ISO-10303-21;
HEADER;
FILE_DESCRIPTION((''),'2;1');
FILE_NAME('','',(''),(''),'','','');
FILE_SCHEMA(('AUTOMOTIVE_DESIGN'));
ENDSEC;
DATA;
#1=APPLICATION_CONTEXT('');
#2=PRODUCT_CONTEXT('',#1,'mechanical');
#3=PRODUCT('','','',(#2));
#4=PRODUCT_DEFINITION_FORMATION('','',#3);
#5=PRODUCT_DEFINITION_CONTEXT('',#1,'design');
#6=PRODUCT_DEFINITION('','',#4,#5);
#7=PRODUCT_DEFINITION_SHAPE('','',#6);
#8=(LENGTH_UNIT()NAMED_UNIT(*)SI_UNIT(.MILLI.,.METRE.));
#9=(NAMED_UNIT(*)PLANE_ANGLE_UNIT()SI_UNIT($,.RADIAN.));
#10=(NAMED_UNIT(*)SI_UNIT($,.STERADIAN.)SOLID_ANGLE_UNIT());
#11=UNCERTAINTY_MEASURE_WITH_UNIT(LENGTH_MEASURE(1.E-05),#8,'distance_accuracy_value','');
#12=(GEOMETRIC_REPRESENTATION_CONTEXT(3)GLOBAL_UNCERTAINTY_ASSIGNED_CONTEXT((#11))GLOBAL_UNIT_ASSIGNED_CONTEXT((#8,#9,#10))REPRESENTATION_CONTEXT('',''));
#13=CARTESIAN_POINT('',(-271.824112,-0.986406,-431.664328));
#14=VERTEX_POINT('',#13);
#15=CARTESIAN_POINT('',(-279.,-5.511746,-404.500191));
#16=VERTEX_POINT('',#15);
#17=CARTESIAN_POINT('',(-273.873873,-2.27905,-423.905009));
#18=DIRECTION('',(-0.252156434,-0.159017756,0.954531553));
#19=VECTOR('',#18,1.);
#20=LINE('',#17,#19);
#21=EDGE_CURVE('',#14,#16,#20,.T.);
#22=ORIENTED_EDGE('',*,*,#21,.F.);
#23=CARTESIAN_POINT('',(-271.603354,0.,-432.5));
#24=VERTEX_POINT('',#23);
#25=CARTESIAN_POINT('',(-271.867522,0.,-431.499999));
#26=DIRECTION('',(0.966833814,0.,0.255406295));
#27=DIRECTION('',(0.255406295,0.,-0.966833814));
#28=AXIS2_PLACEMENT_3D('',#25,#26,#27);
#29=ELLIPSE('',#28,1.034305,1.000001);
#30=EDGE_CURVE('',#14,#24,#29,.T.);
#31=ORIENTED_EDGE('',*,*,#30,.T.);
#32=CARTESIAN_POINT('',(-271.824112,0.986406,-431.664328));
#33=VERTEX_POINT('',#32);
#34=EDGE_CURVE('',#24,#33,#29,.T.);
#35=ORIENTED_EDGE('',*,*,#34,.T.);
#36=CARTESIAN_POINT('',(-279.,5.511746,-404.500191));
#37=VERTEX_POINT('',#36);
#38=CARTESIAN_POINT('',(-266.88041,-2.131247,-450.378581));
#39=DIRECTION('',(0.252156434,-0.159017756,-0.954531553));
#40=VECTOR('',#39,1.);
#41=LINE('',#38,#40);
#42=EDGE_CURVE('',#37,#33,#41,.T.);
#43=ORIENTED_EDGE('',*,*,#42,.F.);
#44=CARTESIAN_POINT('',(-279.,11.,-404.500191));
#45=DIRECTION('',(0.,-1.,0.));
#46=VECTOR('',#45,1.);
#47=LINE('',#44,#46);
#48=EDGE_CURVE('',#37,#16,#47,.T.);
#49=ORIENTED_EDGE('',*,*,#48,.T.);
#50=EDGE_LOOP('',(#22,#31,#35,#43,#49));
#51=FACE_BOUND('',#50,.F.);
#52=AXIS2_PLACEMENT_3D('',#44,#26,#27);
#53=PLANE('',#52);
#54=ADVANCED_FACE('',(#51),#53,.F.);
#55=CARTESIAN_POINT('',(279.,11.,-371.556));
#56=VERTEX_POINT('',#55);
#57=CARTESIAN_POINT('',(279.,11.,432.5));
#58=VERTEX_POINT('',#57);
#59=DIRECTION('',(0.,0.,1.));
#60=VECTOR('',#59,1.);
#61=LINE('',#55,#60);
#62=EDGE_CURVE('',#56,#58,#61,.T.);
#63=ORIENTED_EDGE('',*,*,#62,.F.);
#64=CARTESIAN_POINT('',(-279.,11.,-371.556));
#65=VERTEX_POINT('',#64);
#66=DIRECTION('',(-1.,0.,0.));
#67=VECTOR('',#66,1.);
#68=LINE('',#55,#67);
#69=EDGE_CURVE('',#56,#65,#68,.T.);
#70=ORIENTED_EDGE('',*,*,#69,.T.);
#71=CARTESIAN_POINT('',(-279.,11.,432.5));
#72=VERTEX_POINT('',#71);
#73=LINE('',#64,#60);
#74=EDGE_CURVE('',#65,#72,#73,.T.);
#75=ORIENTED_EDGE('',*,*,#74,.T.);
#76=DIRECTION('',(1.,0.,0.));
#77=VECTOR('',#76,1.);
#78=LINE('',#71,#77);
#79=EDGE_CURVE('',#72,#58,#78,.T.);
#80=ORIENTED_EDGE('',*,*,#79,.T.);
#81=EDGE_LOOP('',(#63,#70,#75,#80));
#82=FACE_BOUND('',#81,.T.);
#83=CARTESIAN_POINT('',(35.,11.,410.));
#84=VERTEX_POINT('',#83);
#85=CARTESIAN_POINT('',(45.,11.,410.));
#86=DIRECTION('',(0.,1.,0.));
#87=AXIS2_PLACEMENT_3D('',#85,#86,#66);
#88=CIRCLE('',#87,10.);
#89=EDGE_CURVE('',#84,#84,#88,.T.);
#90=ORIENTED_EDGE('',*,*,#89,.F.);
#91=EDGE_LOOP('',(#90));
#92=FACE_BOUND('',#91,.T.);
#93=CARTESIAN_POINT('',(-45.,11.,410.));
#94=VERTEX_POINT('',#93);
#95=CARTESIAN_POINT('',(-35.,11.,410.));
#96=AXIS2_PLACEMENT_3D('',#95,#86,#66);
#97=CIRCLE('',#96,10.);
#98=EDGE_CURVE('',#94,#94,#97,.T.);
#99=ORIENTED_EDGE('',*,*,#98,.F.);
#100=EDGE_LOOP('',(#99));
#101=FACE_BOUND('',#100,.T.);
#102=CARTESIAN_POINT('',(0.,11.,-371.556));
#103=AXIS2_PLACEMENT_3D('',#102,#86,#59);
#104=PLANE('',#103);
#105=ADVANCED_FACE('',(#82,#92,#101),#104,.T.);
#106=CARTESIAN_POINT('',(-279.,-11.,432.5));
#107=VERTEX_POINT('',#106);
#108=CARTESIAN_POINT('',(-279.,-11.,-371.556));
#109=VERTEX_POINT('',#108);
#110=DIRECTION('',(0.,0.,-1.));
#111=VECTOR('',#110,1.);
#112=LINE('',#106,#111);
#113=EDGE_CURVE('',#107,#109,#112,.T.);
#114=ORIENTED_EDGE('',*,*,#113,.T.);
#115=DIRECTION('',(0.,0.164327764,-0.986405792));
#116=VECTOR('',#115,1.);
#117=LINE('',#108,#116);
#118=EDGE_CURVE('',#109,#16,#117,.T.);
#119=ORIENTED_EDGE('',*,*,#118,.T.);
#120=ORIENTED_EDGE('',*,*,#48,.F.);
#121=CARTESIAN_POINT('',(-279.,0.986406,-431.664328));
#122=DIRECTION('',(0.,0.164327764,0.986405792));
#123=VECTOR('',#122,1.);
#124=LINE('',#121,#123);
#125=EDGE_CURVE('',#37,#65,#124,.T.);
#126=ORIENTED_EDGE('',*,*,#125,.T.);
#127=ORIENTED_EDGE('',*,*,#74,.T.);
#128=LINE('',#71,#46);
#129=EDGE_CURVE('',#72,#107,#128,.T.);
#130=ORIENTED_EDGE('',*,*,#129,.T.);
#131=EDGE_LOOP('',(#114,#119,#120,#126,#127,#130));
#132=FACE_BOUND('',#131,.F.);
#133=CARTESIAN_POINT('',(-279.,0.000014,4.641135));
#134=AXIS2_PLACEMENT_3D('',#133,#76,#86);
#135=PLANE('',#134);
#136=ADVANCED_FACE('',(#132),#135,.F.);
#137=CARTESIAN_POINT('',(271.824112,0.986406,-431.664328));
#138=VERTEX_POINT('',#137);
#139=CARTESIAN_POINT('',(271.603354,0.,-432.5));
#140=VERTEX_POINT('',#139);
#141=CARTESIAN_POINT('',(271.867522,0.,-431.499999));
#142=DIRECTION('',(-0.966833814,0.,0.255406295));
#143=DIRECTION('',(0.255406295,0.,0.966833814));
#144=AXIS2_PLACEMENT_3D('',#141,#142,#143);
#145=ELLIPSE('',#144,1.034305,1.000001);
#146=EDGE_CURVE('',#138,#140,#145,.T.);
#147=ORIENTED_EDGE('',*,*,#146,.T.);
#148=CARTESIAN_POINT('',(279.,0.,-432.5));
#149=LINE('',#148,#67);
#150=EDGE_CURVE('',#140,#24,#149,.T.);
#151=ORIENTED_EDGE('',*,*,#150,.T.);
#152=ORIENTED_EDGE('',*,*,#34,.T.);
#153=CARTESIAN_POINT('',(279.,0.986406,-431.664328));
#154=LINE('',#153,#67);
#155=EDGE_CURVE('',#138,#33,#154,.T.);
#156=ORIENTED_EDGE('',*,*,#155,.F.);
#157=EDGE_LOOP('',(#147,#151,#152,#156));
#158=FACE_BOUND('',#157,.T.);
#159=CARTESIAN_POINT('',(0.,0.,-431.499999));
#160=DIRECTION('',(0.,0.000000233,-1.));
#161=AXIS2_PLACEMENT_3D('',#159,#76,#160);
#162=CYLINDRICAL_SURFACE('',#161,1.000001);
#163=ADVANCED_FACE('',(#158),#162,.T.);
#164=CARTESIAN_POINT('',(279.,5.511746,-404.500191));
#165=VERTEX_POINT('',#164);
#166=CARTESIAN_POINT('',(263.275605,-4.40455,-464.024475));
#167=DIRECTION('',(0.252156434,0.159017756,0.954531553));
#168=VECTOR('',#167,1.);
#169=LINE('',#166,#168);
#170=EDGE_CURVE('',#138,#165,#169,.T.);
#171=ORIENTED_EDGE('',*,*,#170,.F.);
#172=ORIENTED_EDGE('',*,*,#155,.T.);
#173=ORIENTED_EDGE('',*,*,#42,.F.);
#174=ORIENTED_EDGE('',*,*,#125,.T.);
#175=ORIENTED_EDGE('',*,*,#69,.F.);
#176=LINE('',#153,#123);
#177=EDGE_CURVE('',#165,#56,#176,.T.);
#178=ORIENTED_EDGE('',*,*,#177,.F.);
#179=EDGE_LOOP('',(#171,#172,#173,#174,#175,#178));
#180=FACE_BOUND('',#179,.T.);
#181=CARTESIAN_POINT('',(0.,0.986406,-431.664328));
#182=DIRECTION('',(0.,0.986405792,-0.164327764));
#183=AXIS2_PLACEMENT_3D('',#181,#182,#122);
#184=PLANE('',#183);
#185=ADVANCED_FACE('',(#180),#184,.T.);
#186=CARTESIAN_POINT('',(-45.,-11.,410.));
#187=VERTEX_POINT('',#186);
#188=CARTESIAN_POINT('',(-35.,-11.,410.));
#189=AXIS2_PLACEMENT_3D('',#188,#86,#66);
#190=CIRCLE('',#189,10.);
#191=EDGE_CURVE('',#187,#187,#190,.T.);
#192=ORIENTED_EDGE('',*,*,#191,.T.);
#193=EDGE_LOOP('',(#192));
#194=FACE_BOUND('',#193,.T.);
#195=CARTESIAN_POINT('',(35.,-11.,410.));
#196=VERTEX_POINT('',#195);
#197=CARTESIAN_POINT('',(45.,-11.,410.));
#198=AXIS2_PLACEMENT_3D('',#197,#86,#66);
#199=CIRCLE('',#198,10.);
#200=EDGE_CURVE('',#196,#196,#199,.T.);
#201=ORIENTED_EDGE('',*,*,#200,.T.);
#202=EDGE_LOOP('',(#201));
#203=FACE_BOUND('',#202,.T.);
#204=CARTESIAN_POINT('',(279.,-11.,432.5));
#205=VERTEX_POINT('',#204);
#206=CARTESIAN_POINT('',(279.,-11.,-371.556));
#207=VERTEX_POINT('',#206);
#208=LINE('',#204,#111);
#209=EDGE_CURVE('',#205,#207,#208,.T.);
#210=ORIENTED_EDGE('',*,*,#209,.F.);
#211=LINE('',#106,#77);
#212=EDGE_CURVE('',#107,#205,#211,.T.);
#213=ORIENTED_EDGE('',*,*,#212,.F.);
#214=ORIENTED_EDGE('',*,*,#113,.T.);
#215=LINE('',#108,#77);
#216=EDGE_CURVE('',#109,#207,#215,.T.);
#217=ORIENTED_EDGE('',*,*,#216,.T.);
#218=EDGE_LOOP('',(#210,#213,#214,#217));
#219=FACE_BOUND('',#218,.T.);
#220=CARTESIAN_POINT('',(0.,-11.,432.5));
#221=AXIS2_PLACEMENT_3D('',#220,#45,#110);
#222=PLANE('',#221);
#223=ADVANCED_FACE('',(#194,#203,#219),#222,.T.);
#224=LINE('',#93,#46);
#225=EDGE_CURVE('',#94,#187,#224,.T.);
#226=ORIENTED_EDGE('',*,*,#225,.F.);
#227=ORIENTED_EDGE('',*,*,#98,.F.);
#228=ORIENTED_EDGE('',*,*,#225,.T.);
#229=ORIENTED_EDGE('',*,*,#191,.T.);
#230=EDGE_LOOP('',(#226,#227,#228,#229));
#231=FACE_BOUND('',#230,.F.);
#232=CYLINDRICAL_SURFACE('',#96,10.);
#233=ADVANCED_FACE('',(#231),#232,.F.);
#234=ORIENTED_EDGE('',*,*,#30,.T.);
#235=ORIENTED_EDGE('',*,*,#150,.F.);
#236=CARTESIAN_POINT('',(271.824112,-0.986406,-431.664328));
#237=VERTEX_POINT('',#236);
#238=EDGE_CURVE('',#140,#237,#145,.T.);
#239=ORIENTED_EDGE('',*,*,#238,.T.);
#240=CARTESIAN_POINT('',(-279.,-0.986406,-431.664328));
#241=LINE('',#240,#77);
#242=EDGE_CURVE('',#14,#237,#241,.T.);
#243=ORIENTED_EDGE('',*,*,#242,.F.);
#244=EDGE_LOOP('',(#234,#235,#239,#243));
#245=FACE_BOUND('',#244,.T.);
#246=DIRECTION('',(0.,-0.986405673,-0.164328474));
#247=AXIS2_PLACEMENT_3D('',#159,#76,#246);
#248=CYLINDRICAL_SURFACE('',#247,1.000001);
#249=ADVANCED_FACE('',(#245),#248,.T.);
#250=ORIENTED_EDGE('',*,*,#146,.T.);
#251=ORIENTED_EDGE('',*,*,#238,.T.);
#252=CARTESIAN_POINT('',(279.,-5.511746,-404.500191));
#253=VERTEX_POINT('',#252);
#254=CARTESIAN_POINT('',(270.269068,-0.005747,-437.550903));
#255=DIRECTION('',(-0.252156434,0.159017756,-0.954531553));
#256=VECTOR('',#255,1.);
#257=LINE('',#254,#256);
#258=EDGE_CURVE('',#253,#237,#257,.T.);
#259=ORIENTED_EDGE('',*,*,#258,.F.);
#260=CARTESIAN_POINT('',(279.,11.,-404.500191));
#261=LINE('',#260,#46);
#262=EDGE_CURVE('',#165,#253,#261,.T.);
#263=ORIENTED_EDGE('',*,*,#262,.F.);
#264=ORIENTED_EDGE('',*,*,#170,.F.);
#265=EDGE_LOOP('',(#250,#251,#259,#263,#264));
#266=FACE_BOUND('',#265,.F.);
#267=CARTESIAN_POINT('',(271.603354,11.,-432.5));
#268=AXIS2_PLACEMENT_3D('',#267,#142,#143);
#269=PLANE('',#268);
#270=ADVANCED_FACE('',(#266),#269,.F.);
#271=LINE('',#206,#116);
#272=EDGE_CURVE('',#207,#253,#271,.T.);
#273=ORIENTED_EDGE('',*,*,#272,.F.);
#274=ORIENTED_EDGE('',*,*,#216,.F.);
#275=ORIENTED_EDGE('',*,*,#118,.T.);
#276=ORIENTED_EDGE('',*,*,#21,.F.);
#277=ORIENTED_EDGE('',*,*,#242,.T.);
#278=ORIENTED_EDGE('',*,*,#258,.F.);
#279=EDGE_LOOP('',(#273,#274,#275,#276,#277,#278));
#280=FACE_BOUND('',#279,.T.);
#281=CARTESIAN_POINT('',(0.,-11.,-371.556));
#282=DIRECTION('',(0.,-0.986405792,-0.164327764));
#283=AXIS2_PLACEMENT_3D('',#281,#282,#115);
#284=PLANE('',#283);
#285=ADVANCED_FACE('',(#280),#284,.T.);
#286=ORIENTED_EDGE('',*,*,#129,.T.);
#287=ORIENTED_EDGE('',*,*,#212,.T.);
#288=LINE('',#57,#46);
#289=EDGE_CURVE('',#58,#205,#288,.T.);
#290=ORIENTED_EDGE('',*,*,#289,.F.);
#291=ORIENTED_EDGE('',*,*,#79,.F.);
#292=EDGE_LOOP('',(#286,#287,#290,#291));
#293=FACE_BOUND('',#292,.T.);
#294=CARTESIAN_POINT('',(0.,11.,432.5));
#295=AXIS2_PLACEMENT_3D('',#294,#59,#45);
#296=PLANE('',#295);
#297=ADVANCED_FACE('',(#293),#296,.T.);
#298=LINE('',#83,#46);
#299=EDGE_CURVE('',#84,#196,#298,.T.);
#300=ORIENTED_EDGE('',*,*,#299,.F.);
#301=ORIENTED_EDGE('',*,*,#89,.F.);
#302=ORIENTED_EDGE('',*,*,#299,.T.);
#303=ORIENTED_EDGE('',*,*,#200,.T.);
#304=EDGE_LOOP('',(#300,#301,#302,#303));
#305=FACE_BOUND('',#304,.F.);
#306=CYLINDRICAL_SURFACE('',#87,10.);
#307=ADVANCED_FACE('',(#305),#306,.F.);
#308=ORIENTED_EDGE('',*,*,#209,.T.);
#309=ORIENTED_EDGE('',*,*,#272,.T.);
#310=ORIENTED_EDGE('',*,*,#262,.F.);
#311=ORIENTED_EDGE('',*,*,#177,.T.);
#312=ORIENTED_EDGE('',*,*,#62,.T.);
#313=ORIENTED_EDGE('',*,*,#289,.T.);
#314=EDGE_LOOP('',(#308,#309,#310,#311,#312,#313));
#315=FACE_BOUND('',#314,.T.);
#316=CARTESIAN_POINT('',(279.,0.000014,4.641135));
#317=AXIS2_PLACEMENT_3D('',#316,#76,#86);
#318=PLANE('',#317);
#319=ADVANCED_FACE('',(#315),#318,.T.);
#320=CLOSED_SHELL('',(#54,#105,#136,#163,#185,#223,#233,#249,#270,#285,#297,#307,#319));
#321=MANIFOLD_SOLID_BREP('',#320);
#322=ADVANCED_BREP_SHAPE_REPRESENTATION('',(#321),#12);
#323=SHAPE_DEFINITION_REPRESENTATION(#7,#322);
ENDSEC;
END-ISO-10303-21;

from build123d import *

# Parameters (mm, degrees)
F1_DEPTH = 279
F2_R     = 10
F3_DEPTH = 25


with BuildPart() as f1:
    # F0 (on Right) → F1 (new body, symmetric)
    with BuildSketch(Plane.YZ):
        with BuildLine():
            Line((11, -371.556), (11, 432.5))
            Line((11, 432.5), (-11, 432.5))
            Line((-11, 432.5), (-11, -371.556))
            Line((-11, -371.556), (-0.986406, -431.664328))
            ThreePointArc((-0.986406, -431.664328), (-0.082445, -430.503404), (1, -431.5))
            ThreePointArc((1, -431.5), (0.996596, -431.582445), (0.986406, -431.664328))
            Line((0.986406, -431.664328), (11, -371.556))
        make_face()
        with BuildLine():
            ThreePointArc((0, -432.5), (0.646402, -432.262997), (0.986406, -431.664328))
            ThreePointArc((0.986406, -431.664328), (0.996596, -431.582445), (1, -431.5))
            ThreePointArc((1, -431.5), (-0.082445, -430.503404), (-0.986406, -431.664328))
            ThreePointArc((-0.986406, -431.664328), (-0.646402, -432.262997), (0, -432.5))
        make_face()
    extrude(amount=F1_DEPTH, both=True)

    # F2 (on face) → F3 (cut)
    with BuildSketch(Plane(origin=(0, 11, 0), x_dir=(-1, 0, 0), z_dir=(0, 1, 0))):
        with Locations((-45, 410)):
            Circle(F2_R)
        with Locations((35, 410)):
            Circle(F2_R)
        Polygon((-271.603354, -432.5), (-279, -404.500191), (-279.103354, -432.5), align=None)
        Polygon((279.103354, -432.5), (279, -404.500191), (271.603354, -432.5), align=None)
    extrude(amount=-F3_DEPTH, mode=Mode.SUBTRACT)


solid = f1.part
